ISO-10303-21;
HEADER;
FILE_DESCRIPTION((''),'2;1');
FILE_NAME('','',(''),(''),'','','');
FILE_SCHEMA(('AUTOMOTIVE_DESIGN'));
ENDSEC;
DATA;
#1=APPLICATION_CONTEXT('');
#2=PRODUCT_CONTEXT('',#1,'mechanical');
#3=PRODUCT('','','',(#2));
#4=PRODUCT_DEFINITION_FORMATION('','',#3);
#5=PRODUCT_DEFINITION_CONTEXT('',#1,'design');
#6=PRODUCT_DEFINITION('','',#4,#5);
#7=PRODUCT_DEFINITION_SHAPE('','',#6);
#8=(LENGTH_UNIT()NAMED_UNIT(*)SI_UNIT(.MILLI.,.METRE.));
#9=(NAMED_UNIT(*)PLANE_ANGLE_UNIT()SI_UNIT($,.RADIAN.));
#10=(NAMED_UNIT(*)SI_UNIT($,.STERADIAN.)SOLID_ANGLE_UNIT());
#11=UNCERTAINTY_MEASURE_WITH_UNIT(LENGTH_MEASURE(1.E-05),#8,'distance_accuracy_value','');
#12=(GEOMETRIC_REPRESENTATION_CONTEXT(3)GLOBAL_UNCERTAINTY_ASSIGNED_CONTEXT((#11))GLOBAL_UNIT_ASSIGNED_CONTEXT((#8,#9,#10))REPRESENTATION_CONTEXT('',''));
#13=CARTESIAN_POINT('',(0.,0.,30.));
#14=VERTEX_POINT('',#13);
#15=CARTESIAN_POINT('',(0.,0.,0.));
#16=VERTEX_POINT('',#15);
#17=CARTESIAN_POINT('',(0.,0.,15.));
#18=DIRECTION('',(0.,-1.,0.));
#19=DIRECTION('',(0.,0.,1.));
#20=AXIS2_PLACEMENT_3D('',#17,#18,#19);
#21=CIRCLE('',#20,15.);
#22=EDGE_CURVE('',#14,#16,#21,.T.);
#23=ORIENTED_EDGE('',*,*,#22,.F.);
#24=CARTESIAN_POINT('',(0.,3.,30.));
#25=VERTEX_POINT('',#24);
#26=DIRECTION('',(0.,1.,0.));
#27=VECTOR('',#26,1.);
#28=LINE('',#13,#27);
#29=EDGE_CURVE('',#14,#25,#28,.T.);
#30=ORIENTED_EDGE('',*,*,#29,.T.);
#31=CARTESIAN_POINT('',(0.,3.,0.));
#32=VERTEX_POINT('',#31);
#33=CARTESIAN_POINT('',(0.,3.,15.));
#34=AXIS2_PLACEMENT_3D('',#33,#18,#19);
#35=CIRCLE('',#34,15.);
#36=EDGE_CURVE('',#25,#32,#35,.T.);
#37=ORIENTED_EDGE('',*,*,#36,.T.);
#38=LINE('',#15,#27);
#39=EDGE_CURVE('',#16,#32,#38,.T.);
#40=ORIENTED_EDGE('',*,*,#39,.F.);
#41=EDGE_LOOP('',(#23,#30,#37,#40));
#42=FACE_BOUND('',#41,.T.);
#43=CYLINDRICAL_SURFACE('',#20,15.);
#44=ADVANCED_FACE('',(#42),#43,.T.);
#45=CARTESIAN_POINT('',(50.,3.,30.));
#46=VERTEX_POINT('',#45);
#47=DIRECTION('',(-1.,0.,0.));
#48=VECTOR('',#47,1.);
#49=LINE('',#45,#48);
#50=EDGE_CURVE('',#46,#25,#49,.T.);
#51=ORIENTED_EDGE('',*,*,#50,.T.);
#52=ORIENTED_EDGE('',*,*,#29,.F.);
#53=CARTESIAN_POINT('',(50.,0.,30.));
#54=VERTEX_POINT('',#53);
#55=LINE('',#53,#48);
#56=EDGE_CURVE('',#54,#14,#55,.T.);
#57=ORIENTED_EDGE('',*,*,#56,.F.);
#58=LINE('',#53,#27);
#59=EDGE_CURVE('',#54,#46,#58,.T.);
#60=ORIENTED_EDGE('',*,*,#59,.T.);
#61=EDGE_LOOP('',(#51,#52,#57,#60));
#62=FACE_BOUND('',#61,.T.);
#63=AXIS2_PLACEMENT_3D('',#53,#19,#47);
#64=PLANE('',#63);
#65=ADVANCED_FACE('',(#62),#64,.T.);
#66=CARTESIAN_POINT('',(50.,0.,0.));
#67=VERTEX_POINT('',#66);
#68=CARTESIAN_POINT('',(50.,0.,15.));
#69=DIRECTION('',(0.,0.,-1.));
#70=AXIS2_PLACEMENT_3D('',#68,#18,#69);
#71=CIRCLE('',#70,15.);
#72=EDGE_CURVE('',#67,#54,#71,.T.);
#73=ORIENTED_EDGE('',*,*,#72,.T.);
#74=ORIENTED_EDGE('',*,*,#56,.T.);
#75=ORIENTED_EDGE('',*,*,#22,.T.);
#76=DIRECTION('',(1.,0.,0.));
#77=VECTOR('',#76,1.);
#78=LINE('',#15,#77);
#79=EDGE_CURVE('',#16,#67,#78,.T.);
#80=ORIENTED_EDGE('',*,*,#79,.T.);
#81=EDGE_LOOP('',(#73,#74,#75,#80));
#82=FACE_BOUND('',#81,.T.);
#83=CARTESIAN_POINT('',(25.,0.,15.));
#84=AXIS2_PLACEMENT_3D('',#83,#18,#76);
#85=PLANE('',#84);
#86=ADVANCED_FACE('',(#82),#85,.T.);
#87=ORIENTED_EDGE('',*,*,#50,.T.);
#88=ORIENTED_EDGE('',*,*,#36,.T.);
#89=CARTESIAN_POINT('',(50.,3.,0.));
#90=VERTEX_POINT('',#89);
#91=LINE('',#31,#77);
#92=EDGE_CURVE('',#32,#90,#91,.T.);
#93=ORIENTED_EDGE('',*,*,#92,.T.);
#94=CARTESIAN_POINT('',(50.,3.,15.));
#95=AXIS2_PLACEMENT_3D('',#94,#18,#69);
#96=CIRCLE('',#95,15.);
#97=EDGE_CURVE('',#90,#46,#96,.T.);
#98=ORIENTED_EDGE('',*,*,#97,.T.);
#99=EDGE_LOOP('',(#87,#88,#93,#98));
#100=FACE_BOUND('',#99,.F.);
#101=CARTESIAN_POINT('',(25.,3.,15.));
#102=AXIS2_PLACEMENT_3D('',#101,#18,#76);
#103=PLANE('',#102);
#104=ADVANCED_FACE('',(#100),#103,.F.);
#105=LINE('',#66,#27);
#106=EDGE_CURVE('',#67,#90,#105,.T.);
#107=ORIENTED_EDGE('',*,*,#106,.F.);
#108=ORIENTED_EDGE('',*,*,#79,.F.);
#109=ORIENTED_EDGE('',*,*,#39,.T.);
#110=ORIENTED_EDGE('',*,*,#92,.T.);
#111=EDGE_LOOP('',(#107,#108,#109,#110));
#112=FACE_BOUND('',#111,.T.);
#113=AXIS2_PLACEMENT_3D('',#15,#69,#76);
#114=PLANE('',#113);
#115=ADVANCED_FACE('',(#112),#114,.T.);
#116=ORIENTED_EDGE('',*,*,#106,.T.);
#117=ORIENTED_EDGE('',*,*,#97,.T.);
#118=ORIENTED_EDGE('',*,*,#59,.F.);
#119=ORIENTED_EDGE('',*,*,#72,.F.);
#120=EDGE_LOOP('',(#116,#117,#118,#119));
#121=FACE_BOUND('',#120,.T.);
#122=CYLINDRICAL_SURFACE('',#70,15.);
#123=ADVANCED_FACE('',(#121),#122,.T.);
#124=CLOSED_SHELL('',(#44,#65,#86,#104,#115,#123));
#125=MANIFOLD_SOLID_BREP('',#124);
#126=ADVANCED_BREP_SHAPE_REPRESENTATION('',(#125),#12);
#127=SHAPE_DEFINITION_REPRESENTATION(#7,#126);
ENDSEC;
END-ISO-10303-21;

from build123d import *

# Parameters (mm, degrees)
F1_DEPTH = 3


with BuildPart() as f1:
    # F0 (on Front) → F1 (new body)
    with BuildSketch(Plane.XZ):
        with BuildLine():
            ThreePointArc((0, 30), (-15, 15), (0, 0))
            Line((0, 0), (50, 0))
            ThreePointArc((50, 0), (65, 15), (50, 30))
            Line((50, 30), (0, 30))
        make_face()
    extrude(amount=-F1_DEPTH)


solid = f1.part
